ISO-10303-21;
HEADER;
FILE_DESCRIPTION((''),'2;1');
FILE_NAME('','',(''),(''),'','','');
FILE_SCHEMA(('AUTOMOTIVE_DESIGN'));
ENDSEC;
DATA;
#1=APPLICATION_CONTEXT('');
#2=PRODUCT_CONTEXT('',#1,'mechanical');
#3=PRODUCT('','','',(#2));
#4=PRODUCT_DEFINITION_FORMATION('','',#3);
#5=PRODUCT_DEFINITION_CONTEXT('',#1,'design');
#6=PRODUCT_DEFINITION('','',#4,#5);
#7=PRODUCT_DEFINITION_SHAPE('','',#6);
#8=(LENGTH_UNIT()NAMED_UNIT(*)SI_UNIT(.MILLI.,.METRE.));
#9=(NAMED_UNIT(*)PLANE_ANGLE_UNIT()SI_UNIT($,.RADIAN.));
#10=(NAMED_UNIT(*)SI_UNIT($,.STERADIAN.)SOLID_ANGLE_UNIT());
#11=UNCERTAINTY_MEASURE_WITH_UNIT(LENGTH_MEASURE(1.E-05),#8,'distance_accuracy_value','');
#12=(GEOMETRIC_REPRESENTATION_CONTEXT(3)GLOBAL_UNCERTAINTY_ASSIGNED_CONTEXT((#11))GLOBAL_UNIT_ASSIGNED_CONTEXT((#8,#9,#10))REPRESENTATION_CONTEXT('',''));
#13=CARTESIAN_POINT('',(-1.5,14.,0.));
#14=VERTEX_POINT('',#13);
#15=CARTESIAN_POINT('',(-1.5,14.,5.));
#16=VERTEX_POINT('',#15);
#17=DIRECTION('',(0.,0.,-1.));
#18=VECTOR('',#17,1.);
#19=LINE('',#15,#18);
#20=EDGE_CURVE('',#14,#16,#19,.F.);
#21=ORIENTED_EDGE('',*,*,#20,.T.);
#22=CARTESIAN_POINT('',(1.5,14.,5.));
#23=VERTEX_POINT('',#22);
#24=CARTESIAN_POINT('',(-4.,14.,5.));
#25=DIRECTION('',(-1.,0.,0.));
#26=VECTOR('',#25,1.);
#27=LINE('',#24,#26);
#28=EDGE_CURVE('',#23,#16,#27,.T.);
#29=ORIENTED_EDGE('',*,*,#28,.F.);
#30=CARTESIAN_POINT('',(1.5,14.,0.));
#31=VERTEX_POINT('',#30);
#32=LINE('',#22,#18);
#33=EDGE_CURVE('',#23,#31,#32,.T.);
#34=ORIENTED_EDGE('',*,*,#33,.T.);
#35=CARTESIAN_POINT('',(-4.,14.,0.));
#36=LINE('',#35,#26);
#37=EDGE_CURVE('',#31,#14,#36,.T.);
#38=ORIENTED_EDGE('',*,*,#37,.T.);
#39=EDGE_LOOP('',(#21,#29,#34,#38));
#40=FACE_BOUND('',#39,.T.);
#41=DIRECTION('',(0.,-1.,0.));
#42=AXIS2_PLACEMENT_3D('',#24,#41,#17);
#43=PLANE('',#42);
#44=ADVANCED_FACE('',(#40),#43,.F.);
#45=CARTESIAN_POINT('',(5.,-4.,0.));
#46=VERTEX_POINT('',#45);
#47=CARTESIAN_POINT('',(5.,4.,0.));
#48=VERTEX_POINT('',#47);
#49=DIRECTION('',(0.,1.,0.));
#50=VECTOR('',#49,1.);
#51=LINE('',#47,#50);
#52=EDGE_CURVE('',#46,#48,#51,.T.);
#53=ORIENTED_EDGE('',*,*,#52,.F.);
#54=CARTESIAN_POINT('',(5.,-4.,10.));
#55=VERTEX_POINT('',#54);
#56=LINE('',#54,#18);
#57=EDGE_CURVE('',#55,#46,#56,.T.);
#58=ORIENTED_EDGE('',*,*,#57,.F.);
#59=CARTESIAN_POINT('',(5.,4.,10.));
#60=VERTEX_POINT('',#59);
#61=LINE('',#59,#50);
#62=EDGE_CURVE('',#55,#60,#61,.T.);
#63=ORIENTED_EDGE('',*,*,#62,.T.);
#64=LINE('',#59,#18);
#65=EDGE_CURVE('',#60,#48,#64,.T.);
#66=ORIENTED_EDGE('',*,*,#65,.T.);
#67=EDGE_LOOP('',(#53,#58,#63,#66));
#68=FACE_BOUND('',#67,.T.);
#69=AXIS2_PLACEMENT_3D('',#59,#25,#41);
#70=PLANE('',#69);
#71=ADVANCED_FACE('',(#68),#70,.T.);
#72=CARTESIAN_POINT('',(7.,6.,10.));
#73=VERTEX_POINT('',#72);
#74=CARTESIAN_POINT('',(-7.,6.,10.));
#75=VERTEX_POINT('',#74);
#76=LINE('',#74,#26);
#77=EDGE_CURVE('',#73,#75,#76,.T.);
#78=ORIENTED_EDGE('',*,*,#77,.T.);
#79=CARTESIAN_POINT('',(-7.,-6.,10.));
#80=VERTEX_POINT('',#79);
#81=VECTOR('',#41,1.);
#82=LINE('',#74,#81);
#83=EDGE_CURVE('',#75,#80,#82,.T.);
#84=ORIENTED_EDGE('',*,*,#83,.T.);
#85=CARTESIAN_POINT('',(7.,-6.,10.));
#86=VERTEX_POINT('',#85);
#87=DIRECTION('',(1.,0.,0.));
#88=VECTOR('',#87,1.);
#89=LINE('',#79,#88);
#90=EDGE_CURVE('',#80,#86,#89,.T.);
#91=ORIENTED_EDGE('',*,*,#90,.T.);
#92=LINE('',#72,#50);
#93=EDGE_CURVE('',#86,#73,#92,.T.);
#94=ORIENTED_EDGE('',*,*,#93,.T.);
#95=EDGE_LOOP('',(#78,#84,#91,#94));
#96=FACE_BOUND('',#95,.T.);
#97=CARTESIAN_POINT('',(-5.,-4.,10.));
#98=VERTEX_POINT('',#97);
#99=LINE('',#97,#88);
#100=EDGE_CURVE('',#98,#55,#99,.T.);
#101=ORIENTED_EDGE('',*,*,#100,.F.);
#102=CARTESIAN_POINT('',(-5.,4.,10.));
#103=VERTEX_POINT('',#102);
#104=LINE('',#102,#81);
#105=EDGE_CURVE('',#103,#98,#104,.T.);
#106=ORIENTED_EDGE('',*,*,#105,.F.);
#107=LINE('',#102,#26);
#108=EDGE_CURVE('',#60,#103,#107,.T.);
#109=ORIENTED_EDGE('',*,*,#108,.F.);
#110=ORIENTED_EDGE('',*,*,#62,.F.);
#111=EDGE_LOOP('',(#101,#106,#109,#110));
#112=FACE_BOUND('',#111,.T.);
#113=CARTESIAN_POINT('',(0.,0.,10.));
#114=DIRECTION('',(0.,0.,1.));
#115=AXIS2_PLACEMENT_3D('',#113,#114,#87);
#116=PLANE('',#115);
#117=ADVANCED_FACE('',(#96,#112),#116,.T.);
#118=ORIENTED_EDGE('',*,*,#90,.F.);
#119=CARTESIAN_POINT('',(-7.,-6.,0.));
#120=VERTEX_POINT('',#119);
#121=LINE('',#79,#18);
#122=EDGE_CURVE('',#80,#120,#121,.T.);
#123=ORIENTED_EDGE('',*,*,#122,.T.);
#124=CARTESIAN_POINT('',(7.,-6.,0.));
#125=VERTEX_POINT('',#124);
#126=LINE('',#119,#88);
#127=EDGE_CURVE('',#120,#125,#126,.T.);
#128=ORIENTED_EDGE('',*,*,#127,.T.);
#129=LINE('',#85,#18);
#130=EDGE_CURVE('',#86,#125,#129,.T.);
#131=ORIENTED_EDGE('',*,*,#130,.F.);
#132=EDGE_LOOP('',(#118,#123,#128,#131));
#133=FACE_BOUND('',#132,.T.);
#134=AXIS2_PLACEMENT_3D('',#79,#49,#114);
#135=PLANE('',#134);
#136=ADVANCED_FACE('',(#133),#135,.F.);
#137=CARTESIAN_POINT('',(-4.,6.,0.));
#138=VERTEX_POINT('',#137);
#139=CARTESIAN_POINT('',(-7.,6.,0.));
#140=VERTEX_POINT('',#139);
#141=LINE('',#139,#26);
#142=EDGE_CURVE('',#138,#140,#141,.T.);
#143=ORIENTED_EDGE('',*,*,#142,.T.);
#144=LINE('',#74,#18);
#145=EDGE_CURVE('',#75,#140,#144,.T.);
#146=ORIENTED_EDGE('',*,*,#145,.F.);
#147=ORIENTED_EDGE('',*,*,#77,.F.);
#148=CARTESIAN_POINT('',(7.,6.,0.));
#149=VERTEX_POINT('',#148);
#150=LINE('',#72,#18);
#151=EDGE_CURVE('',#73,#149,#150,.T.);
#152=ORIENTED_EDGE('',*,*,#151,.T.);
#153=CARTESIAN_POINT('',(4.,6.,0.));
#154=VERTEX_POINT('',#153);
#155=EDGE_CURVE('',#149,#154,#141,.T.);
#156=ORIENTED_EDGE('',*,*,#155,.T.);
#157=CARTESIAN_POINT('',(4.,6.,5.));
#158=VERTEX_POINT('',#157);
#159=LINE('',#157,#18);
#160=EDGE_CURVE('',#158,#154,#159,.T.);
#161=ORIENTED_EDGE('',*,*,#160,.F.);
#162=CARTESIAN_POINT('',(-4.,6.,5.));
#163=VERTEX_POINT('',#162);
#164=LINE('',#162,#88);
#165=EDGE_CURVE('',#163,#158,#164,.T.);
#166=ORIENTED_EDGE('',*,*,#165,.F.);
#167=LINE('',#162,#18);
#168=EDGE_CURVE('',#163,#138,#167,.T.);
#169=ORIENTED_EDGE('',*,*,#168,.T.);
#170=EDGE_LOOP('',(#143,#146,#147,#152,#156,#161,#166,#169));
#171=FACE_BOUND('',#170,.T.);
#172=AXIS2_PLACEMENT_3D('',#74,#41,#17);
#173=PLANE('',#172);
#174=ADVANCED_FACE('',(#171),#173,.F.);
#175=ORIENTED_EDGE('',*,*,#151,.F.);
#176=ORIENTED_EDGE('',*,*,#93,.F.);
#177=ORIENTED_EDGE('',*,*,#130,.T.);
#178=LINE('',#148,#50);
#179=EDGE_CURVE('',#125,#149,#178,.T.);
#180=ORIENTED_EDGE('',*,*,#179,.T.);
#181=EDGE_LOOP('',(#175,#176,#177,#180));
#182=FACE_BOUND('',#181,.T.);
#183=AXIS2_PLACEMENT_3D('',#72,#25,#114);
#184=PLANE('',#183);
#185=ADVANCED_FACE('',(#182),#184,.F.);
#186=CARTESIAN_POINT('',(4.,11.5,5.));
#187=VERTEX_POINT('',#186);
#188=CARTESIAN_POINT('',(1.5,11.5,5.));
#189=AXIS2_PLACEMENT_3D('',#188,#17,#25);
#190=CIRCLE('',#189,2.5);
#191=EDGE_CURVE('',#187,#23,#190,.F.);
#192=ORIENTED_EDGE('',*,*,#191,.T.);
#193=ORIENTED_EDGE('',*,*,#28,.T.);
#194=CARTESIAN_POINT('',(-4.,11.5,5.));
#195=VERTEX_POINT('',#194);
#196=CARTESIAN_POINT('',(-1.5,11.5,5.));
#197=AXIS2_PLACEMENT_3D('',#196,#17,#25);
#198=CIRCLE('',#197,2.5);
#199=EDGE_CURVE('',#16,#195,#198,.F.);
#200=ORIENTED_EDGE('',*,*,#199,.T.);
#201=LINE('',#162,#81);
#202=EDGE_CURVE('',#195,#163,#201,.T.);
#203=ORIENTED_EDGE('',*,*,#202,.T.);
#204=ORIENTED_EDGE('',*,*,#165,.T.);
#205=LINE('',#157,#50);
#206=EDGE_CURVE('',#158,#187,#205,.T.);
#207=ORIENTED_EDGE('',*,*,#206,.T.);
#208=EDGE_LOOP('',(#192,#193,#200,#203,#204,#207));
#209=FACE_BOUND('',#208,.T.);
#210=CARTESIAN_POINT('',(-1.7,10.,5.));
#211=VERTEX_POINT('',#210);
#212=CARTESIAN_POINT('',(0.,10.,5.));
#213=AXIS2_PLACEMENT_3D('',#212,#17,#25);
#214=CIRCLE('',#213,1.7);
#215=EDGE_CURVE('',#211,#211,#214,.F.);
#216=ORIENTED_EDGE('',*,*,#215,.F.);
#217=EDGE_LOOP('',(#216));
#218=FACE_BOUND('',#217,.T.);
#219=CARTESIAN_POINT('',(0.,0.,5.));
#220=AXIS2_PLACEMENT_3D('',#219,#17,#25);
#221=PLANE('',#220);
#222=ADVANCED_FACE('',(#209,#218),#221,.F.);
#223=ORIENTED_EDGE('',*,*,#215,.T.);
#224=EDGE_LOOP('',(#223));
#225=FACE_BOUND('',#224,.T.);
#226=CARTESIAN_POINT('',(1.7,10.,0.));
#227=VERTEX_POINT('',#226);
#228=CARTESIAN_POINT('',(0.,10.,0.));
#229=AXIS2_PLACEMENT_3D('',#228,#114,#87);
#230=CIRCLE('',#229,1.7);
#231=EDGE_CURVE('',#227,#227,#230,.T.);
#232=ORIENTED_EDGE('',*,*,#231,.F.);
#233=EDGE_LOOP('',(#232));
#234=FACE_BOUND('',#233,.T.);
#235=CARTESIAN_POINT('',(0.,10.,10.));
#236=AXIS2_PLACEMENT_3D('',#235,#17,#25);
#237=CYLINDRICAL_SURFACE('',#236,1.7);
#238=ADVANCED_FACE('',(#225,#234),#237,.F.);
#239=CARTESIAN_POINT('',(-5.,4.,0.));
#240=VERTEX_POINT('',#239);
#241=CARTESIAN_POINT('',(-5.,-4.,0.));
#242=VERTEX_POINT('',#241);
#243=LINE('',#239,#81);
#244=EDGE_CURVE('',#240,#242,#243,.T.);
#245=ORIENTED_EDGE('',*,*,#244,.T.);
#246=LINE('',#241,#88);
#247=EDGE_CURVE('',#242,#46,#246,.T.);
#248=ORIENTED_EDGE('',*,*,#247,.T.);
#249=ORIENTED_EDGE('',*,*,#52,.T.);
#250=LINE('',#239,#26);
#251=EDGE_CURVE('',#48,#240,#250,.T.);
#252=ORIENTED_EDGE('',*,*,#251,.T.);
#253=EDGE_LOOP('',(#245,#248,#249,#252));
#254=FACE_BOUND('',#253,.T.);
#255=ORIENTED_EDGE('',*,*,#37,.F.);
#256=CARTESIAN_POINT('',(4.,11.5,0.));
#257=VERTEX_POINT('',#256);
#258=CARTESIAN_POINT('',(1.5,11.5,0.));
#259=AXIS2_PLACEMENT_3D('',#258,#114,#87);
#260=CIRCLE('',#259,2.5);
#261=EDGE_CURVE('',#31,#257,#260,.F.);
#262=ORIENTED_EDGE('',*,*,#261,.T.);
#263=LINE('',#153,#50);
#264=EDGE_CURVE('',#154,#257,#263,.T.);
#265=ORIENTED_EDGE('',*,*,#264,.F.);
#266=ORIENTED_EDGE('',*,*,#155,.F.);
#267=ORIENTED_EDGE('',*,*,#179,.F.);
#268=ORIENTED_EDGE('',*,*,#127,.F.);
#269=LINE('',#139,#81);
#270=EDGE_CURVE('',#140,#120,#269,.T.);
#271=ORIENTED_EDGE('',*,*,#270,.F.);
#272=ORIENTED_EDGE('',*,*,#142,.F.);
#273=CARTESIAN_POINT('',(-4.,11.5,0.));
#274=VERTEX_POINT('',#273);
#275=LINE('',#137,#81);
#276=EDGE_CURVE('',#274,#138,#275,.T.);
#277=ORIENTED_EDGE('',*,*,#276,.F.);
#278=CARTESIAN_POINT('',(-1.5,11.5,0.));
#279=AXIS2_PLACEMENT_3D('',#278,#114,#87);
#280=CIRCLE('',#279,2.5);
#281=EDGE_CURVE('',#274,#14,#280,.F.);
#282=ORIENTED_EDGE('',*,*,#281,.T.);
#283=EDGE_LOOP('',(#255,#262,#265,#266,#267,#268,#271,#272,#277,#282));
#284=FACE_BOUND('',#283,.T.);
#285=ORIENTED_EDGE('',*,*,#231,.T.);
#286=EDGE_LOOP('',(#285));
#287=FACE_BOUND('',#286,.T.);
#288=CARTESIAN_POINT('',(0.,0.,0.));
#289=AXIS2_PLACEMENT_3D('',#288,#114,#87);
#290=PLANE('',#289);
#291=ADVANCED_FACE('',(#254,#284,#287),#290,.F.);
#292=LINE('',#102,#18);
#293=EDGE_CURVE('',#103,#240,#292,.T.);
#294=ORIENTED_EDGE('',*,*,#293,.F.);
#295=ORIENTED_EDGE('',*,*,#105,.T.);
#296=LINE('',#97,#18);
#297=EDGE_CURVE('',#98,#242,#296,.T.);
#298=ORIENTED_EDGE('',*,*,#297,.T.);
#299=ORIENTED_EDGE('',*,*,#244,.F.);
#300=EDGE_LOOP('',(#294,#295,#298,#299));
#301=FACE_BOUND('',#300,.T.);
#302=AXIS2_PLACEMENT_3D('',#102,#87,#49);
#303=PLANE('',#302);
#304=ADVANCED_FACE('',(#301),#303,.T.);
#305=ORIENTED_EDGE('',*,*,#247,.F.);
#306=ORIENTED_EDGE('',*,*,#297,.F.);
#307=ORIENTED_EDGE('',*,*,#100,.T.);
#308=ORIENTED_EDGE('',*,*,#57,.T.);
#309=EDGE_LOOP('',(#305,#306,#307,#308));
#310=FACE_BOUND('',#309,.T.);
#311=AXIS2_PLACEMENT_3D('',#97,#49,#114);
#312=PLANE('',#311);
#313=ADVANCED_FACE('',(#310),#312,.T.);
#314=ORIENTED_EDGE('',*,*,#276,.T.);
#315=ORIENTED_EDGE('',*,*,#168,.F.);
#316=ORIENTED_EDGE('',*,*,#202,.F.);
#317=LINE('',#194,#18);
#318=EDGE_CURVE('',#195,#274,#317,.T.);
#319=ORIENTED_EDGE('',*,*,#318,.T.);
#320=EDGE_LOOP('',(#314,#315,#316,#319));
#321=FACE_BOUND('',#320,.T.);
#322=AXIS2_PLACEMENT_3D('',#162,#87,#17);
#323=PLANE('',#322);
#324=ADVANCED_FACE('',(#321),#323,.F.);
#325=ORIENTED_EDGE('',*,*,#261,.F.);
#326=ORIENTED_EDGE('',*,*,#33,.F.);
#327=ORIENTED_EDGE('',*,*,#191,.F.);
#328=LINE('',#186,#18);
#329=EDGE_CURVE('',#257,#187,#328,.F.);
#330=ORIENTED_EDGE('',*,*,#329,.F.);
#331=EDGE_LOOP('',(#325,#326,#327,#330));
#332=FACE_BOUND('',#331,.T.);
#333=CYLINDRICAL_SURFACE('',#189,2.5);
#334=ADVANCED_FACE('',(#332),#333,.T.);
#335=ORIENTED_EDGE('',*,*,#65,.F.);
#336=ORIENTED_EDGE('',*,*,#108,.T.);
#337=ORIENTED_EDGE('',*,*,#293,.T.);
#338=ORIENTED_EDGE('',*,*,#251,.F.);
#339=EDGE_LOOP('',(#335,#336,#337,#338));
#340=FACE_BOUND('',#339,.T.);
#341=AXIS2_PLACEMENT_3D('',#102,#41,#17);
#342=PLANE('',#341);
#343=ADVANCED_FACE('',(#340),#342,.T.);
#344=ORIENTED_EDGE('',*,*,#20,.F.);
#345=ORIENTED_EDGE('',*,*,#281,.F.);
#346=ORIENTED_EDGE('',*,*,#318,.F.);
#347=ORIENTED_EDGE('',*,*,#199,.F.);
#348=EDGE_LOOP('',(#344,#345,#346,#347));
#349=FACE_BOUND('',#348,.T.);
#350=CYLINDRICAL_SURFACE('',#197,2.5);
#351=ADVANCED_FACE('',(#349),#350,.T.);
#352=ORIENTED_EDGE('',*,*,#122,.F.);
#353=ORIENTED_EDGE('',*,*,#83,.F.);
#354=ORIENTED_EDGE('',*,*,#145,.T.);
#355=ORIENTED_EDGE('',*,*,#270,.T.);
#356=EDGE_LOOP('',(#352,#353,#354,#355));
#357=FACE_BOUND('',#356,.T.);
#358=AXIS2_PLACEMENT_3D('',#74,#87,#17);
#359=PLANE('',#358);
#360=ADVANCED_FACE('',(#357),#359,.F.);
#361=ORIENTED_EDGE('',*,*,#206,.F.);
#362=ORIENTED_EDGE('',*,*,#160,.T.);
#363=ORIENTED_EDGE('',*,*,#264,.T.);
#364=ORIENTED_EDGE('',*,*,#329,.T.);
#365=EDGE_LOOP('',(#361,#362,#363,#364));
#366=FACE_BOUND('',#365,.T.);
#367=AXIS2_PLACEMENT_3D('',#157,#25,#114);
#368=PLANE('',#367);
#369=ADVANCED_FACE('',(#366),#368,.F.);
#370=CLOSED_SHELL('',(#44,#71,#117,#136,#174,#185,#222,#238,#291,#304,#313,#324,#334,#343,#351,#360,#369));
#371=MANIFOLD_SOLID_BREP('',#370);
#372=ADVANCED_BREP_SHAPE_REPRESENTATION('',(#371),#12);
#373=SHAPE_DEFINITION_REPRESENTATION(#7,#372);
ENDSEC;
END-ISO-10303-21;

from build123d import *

# Parameters (mm, degrees)
SKETCH2_W           = 14
SKETCH2_H           = 12
BOSS_EXTRUDE1_DEPTH = 10
SKETCH1_W           = 10
SKETCH1_H           = 8
CUT_EXTRUDE2_DEPTH  = 11
SKETCH3_W           = 8
SKETCH3_H           = 8
BOSS_EXTRUDE2_DEPTH = 5
SKETCH4_R           = 1.7
CUT_EXTRUDE3_DEPTH  = 11
FILLET1_R           = 2.5


with BuildPart() as part:
    # Sketch2 → Boss-Extrude1 (new body)
    with BuildSketch(Plane.XY):
        Rectangle(SKETCH2_W, SKETCH2_H)
    extrude(amount=BOSS_EXTRUDE1_DEPTH)

    # Sketch1 → Cut-Extrude2 (cut, through all)
    with BuildSketch(Plane.XY):
        Rectangle(SKETCH1_W, SKETCH1_H)
    extrude(amount=CUT_EXTRUDE2_DEPTH, mode=Mode.SUBTRACT)

    # Sketch3 → Boss-Extrude2 (add)
    with BuildSketch(Plane.XY):
        with Locations((0, 10)):
            Rectangle(SKETCH3_W, SKETCH3_H)
    extrude(amount=BOSS_EXTRUDE2_DEPTH)

    # Sketch4 → Cut-Extrude3 (cut, through all)
    with BuildSketch(Plane.XY):
        with Locations((0, 10)):
            Circle(SKETCH4_R)
    extrude(amount=CUT_EXTRUDE3_DEPTH, mode=Mode.SUBTRACT)

    # Fillet1
    fillet1_edges = [part.edges().sort_by_distance(p)[0] for p in [
        (4, 14, 2.5),
        (-4, 14, 2.5),
    ]]
    fillet(fillet1_edges, radius=FILLET1_R)


solid = part.part
